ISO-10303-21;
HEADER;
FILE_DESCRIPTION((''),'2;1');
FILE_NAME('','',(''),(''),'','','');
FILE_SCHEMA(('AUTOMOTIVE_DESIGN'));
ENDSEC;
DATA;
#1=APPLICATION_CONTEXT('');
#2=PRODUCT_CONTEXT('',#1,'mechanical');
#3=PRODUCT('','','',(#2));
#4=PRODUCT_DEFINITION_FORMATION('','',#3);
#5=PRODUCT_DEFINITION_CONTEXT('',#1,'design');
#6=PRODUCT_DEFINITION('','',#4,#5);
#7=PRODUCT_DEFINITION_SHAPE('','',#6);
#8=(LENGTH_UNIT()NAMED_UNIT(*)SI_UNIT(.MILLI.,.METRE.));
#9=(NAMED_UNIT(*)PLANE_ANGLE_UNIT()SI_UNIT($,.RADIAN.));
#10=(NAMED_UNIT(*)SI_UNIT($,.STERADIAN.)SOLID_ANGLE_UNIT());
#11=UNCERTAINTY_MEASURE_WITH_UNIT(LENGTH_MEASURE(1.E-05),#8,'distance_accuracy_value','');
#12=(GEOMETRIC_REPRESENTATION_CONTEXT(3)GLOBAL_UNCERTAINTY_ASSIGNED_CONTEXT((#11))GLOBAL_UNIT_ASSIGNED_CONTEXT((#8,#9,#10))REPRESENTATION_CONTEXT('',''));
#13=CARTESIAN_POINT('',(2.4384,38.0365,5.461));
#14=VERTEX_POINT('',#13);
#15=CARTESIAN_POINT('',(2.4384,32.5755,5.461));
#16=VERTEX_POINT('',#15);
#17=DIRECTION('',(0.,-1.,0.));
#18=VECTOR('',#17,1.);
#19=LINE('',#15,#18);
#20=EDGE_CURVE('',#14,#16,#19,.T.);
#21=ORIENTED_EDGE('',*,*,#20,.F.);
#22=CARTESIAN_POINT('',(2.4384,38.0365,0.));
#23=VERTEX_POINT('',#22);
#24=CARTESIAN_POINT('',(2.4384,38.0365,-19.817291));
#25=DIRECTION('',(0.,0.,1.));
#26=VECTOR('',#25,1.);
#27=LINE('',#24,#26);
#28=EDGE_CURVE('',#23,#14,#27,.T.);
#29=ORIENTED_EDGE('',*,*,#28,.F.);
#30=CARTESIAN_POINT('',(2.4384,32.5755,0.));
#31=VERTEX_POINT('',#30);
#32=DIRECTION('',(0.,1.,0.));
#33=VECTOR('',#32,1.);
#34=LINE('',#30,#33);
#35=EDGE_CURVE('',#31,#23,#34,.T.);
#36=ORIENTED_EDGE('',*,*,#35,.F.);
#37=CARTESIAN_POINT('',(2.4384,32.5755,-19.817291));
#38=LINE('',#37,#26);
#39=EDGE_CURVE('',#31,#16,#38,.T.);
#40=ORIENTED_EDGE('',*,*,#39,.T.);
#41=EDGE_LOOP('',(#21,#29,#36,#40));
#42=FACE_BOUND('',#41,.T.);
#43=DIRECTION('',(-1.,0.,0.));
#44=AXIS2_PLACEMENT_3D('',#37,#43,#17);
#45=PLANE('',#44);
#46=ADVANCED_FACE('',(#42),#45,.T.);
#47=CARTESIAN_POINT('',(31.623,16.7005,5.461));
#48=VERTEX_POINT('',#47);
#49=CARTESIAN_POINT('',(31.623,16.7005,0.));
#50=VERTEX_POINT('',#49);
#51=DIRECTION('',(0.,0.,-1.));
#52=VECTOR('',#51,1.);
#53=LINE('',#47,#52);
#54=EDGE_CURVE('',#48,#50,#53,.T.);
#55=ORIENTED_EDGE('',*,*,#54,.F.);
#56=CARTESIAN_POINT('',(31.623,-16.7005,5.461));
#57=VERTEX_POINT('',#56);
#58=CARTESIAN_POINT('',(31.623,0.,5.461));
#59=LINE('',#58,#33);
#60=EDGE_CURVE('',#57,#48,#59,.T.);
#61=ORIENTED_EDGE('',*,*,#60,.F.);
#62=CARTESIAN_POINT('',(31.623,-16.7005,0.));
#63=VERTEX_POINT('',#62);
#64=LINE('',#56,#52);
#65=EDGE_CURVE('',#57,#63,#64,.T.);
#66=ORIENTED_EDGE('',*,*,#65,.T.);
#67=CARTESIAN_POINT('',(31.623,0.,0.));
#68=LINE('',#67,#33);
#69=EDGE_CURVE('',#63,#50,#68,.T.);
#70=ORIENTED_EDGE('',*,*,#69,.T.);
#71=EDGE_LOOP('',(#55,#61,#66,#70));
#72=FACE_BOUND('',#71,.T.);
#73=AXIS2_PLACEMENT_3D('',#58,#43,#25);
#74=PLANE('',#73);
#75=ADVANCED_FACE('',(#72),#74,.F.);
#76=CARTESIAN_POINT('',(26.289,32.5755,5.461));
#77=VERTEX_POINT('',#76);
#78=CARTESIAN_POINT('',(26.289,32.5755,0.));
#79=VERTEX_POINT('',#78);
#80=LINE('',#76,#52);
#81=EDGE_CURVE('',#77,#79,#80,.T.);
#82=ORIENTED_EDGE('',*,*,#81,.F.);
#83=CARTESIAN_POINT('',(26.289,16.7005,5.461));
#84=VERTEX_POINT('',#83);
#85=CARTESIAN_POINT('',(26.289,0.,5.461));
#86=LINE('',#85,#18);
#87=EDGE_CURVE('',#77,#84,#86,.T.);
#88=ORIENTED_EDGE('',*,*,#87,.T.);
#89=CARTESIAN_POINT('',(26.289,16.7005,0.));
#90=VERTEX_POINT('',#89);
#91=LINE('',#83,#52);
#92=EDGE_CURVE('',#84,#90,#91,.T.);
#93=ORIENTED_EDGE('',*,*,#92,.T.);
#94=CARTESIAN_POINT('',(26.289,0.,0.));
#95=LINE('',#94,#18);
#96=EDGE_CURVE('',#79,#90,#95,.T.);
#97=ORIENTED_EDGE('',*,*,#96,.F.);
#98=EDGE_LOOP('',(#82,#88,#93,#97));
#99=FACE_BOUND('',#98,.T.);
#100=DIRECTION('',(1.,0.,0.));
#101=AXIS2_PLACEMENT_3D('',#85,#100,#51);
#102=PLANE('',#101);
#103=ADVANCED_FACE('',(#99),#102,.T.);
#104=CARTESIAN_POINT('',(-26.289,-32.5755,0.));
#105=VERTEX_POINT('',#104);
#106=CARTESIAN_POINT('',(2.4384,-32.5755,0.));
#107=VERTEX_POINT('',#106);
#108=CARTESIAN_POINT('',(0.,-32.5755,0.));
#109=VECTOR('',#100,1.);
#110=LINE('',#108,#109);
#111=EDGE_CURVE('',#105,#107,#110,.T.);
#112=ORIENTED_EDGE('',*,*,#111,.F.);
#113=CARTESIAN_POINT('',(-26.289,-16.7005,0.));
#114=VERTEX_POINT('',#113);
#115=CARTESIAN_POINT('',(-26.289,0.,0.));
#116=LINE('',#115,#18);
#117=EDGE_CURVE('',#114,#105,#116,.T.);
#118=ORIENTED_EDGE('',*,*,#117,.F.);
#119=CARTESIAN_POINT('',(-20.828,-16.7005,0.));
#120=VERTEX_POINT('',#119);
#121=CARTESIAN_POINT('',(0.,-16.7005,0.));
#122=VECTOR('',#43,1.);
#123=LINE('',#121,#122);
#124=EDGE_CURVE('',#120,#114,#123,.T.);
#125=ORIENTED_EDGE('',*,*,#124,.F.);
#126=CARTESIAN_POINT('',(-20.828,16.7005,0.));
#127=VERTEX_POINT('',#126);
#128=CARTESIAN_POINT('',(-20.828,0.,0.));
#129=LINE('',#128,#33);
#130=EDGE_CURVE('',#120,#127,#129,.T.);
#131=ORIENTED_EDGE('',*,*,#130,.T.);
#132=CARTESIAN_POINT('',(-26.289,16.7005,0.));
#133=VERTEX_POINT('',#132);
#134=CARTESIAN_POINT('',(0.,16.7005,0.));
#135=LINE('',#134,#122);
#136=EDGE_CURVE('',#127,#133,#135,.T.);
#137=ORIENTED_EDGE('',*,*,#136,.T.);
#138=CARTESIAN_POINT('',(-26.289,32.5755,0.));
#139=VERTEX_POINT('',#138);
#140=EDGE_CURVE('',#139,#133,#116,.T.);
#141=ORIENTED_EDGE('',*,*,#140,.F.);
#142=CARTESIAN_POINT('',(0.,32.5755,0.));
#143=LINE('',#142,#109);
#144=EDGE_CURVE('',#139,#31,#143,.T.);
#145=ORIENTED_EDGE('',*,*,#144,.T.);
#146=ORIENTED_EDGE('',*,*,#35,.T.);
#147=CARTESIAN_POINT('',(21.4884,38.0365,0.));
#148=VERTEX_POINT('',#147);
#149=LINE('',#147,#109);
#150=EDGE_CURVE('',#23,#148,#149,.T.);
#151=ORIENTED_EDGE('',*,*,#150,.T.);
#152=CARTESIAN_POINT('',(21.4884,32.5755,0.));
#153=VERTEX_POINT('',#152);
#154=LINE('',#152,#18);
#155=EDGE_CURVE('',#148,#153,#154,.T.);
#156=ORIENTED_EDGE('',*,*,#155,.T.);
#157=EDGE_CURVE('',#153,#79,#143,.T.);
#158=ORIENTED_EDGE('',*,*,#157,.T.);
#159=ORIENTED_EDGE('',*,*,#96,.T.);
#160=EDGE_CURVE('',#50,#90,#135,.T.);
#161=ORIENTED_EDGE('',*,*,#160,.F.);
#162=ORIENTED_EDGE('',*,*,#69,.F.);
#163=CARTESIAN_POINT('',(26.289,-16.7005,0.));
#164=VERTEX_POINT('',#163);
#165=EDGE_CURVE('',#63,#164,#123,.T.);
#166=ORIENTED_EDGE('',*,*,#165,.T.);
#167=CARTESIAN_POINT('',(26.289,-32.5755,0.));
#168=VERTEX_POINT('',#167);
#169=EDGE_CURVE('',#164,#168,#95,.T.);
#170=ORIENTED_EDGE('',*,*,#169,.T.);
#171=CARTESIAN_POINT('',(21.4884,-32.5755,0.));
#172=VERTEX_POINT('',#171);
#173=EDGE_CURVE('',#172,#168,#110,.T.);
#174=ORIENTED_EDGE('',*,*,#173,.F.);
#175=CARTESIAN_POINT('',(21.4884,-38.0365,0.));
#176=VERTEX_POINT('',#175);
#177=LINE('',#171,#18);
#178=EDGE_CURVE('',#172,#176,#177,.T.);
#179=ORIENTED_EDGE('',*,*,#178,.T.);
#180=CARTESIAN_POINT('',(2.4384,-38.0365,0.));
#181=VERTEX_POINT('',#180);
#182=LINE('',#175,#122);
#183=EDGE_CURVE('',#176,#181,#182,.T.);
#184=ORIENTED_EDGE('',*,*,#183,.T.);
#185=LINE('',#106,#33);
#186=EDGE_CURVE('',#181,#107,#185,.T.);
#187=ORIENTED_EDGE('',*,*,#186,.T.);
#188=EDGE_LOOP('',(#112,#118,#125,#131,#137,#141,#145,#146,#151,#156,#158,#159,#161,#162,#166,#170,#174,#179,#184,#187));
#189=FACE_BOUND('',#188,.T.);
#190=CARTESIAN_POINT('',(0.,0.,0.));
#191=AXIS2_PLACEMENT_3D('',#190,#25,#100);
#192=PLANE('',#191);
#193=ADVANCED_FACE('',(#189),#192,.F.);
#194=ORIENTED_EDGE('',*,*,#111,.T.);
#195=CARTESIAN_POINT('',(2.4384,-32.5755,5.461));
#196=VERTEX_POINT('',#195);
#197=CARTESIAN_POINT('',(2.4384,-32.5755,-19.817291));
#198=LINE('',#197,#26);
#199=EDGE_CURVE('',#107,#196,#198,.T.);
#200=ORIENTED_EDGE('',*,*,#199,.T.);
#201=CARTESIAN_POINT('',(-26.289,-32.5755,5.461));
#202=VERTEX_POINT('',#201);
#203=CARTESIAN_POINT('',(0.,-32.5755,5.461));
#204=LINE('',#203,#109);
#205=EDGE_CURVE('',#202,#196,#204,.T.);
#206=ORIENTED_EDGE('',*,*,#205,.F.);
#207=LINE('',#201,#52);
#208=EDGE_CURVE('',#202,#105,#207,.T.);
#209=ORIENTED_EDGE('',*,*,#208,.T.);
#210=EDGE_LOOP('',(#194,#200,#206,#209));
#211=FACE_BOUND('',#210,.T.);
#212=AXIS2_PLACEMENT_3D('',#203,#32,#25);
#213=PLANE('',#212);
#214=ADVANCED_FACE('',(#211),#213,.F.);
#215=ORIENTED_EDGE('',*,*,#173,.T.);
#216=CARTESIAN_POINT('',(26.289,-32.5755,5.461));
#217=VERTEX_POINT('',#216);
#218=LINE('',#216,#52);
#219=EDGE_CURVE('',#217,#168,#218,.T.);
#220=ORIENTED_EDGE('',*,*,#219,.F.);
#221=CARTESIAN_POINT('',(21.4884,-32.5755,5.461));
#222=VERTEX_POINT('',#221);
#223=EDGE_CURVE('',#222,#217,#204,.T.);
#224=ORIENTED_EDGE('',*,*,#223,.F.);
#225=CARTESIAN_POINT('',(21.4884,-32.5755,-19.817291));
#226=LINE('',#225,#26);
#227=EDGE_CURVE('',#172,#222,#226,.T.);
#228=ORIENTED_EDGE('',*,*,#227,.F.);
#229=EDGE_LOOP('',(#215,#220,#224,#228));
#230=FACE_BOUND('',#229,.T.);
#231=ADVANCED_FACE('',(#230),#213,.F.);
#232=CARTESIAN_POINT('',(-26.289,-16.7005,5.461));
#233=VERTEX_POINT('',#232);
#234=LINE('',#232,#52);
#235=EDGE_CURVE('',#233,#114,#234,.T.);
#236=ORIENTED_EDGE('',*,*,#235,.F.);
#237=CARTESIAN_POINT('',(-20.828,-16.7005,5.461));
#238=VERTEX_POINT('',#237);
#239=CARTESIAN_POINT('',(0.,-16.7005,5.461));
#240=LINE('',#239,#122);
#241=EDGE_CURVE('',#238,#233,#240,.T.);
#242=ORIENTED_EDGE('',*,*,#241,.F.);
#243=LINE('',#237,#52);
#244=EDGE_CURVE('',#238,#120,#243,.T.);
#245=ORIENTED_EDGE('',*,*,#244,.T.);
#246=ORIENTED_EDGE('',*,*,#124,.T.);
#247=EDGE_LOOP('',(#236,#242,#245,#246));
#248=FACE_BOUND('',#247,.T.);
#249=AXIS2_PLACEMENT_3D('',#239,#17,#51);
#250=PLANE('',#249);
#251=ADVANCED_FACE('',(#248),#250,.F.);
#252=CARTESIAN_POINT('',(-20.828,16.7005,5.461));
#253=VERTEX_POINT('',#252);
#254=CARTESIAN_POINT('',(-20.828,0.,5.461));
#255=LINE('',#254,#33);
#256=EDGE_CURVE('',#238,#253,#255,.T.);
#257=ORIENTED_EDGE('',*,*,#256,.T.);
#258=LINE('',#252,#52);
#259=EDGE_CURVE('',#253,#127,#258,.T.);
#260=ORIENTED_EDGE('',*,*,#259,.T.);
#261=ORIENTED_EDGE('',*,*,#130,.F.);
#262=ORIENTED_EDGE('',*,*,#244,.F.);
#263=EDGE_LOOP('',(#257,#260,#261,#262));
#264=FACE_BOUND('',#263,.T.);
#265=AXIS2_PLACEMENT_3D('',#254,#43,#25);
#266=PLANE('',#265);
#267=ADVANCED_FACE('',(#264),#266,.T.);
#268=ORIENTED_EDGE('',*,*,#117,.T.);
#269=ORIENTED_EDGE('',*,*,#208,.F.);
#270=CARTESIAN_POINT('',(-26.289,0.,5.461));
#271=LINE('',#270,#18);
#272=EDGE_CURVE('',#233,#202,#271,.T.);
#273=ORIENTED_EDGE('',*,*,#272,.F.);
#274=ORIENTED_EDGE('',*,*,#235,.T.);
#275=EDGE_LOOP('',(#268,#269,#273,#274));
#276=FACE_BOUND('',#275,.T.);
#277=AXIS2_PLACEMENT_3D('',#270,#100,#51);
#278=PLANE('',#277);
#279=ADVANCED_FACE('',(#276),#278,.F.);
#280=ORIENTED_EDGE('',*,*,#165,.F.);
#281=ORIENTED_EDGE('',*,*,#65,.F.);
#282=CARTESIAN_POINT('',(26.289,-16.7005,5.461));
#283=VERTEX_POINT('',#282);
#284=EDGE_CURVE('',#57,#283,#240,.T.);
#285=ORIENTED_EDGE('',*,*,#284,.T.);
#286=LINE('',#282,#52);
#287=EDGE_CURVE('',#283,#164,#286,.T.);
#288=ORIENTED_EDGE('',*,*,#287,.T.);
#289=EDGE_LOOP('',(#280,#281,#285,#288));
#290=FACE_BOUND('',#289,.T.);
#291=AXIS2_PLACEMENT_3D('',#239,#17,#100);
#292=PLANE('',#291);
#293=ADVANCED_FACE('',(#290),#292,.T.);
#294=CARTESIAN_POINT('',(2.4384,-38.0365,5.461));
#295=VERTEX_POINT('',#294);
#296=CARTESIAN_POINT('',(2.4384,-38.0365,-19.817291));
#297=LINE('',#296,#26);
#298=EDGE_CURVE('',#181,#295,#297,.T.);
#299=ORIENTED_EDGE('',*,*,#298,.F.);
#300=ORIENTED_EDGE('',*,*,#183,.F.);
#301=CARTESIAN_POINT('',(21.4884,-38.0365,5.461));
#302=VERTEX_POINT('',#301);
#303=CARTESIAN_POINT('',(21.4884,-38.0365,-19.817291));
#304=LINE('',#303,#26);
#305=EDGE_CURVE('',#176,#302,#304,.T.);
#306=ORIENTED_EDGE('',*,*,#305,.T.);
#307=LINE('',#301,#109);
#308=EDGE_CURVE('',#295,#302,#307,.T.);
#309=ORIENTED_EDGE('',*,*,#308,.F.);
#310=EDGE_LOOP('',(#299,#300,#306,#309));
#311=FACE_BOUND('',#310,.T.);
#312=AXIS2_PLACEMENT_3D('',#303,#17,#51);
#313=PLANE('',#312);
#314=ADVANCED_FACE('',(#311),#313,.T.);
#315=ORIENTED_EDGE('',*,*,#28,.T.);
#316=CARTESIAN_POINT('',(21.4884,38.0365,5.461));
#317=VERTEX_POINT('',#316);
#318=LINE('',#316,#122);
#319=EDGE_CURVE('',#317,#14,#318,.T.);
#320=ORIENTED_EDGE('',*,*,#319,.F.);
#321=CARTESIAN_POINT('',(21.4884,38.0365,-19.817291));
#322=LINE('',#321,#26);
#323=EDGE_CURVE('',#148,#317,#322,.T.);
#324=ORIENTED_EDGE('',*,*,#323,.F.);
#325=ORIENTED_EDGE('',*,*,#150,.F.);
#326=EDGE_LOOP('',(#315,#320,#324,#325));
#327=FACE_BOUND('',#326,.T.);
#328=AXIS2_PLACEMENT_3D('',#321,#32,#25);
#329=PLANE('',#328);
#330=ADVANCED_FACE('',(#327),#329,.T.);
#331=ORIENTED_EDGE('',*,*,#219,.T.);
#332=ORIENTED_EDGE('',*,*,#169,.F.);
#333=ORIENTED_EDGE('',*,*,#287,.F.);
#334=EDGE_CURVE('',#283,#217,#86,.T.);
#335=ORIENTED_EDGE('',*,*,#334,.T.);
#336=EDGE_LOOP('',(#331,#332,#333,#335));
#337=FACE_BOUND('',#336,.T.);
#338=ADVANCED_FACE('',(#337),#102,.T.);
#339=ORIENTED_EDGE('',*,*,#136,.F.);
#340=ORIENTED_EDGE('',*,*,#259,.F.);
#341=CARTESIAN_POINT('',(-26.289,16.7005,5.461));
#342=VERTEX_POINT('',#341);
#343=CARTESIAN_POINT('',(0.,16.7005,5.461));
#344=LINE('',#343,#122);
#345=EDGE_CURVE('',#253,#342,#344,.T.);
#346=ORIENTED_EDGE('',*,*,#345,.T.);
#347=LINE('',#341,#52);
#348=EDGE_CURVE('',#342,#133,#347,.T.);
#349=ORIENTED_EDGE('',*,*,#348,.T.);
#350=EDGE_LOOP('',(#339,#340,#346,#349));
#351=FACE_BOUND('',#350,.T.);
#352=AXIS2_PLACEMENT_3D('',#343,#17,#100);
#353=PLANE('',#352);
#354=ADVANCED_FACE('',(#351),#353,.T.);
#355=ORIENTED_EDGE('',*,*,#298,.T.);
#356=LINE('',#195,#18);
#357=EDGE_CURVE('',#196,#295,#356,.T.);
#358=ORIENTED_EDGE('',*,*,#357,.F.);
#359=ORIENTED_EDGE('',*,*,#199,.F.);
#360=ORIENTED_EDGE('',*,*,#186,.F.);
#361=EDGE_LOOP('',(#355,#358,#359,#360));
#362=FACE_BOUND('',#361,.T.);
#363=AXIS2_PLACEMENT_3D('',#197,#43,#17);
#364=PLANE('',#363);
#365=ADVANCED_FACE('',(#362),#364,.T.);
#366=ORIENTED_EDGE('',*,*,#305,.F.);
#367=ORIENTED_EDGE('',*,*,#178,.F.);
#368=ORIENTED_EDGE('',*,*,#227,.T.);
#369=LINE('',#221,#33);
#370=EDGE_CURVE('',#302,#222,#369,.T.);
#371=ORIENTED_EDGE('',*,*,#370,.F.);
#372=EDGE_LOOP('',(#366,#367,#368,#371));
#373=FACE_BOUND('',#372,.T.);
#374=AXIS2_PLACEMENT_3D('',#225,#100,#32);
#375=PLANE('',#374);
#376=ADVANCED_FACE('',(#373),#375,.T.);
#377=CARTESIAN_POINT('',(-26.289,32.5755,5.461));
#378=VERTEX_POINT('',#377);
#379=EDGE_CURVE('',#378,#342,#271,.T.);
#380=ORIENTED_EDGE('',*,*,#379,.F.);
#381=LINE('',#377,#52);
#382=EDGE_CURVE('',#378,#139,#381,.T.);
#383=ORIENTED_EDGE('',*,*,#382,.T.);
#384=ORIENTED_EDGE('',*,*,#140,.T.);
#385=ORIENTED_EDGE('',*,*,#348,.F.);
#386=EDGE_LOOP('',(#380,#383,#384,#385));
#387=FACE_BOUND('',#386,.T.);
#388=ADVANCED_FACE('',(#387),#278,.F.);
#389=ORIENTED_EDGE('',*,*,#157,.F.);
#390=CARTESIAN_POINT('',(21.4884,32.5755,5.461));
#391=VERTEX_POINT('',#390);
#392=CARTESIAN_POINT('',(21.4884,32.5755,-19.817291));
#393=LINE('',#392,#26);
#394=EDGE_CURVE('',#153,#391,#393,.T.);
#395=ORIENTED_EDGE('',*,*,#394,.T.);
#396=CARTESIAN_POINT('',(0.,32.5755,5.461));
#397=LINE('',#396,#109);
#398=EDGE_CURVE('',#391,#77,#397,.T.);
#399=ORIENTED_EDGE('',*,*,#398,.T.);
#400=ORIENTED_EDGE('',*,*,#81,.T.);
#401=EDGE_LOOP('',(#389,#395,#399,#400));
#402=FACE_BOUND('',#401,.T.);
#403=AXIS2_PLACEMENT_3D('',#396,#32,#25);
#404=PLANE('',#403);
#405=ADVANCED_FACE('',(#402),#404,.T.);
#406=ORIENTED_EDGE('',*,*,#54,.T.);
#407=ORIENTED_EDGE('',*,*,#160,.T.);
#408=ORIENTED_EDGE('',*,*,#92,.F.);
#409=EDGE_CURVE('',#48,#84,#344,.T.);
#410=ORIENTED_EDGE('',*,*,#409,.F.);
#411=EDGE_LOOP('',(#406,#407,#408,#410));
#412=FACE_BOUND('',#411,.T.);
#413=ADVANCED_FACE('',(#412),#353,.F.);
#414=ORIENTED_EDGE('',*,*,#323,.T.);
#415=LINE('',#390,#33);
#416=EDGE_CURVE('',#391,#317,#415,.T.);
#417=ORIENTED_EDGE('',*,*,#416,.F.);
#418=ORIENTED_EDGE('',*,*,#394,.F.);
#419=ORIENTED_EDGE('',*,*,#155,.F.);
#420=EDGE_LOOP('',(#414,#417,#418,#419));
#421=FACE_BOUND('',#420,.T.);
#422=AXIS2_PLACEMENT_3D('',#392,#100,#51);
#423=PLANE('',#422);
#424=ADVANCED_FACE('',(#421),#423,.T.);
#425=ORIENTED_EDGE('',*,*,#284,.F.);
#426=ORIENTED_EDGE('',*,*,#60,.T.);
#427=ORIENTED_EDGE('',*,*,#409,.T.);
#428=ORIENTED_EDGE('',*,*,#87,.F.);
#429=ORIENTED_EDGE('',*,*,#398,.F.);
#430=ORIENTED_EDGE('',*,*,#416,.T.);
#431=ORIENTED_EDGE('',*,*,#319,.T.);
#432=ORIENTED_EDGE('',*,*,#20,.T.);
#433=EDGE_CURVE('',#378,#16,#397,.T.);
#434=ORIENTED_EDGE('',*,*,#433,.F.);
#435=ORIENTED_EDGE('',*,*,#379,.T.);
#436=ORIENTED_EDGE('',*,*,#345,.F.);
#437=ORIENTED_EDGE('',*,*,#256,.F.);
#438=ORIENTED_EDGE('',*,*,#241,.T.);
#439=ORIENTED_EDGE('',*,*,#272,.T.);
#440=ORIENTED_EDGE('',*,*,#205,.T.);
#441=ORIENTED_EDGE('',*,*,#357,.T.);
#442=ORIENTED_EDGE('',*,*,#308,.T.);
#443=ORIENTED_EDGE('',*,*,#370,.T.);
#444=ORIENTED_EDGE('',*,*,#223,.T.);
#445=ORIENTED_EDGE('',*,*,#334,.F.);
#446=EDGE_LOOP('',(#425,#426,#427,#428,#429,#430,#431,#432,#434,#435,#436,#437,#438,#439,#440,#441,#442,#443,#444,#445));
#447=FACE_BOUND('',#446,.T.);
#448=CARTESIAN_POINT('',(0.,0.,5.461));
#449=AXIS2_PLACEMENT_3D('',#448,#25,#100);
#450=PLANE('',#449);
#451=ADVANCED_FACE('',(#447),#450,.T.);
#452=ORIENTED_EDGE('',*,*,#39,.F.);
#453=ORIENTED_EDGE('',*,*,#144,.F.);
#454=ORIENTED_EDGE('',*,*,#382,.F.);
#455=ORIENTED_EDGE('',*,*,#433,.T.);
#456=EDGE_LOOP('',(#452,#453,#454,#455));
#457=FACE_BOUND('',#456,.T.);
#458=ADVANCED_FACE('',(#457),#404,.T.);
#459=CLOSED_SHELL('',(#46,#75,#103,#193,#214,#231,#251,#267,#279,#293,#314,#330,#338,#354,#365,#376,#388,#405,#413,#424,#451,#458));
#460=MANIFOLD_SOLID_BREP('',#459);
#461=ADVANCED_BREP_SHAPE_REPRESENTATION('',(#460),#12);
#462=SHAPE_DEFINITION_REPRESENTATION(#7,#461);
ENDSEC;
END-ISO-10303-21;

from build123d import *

# Parameters (mm, degrees)
SKETCH1_W           = 5.334
SKETCH1_H           = 33.401
BOSS_EXTRUDE1_DEPTH = 5.461
SKETCH2_W           = 19.05
SKETCH2_H           = 5.461
BOSS_EXTRUDE2_DEPTH = 5.461


with BuildPart() as part:
    # Sketch1 → Boss-Extrude1 (new body)
    with BuildSketch(Plane.XY):
        Polygon((26.289, 32.5755), (-26.289, 32.5755), (-26.289, 16.7005), (-20.828, 16.7005), (-20.828, -16.7005), (-26.289, -16.7005), (-26.289, -32.5755), (26.289, -32.5755), (26.289, -16.7005), (26.289, 16.7005), align=None)
        with Locations((28.956, 0)):
            Rectangle(SKETCH1_W, SKETCH1_H)
    extrude(amount=BOSS_EXTRUDE1_DEPTH)

    # Sketch2 → Boss-Extrude2 (add)
    with BuildSketch(Plane.XY.offset(5.461)):
        with Locations((11.9634, 35.306)):
            Rectangle(SKETCH2_W, SKETCH2_H)
        with Locations((11.9634, -35.306)):
            Rectangle(SKETCH2_W, SKETCH2_H)
    extrude(amount=-BOSS_EXTRUDE2_DEPTH)


solid = part.part
